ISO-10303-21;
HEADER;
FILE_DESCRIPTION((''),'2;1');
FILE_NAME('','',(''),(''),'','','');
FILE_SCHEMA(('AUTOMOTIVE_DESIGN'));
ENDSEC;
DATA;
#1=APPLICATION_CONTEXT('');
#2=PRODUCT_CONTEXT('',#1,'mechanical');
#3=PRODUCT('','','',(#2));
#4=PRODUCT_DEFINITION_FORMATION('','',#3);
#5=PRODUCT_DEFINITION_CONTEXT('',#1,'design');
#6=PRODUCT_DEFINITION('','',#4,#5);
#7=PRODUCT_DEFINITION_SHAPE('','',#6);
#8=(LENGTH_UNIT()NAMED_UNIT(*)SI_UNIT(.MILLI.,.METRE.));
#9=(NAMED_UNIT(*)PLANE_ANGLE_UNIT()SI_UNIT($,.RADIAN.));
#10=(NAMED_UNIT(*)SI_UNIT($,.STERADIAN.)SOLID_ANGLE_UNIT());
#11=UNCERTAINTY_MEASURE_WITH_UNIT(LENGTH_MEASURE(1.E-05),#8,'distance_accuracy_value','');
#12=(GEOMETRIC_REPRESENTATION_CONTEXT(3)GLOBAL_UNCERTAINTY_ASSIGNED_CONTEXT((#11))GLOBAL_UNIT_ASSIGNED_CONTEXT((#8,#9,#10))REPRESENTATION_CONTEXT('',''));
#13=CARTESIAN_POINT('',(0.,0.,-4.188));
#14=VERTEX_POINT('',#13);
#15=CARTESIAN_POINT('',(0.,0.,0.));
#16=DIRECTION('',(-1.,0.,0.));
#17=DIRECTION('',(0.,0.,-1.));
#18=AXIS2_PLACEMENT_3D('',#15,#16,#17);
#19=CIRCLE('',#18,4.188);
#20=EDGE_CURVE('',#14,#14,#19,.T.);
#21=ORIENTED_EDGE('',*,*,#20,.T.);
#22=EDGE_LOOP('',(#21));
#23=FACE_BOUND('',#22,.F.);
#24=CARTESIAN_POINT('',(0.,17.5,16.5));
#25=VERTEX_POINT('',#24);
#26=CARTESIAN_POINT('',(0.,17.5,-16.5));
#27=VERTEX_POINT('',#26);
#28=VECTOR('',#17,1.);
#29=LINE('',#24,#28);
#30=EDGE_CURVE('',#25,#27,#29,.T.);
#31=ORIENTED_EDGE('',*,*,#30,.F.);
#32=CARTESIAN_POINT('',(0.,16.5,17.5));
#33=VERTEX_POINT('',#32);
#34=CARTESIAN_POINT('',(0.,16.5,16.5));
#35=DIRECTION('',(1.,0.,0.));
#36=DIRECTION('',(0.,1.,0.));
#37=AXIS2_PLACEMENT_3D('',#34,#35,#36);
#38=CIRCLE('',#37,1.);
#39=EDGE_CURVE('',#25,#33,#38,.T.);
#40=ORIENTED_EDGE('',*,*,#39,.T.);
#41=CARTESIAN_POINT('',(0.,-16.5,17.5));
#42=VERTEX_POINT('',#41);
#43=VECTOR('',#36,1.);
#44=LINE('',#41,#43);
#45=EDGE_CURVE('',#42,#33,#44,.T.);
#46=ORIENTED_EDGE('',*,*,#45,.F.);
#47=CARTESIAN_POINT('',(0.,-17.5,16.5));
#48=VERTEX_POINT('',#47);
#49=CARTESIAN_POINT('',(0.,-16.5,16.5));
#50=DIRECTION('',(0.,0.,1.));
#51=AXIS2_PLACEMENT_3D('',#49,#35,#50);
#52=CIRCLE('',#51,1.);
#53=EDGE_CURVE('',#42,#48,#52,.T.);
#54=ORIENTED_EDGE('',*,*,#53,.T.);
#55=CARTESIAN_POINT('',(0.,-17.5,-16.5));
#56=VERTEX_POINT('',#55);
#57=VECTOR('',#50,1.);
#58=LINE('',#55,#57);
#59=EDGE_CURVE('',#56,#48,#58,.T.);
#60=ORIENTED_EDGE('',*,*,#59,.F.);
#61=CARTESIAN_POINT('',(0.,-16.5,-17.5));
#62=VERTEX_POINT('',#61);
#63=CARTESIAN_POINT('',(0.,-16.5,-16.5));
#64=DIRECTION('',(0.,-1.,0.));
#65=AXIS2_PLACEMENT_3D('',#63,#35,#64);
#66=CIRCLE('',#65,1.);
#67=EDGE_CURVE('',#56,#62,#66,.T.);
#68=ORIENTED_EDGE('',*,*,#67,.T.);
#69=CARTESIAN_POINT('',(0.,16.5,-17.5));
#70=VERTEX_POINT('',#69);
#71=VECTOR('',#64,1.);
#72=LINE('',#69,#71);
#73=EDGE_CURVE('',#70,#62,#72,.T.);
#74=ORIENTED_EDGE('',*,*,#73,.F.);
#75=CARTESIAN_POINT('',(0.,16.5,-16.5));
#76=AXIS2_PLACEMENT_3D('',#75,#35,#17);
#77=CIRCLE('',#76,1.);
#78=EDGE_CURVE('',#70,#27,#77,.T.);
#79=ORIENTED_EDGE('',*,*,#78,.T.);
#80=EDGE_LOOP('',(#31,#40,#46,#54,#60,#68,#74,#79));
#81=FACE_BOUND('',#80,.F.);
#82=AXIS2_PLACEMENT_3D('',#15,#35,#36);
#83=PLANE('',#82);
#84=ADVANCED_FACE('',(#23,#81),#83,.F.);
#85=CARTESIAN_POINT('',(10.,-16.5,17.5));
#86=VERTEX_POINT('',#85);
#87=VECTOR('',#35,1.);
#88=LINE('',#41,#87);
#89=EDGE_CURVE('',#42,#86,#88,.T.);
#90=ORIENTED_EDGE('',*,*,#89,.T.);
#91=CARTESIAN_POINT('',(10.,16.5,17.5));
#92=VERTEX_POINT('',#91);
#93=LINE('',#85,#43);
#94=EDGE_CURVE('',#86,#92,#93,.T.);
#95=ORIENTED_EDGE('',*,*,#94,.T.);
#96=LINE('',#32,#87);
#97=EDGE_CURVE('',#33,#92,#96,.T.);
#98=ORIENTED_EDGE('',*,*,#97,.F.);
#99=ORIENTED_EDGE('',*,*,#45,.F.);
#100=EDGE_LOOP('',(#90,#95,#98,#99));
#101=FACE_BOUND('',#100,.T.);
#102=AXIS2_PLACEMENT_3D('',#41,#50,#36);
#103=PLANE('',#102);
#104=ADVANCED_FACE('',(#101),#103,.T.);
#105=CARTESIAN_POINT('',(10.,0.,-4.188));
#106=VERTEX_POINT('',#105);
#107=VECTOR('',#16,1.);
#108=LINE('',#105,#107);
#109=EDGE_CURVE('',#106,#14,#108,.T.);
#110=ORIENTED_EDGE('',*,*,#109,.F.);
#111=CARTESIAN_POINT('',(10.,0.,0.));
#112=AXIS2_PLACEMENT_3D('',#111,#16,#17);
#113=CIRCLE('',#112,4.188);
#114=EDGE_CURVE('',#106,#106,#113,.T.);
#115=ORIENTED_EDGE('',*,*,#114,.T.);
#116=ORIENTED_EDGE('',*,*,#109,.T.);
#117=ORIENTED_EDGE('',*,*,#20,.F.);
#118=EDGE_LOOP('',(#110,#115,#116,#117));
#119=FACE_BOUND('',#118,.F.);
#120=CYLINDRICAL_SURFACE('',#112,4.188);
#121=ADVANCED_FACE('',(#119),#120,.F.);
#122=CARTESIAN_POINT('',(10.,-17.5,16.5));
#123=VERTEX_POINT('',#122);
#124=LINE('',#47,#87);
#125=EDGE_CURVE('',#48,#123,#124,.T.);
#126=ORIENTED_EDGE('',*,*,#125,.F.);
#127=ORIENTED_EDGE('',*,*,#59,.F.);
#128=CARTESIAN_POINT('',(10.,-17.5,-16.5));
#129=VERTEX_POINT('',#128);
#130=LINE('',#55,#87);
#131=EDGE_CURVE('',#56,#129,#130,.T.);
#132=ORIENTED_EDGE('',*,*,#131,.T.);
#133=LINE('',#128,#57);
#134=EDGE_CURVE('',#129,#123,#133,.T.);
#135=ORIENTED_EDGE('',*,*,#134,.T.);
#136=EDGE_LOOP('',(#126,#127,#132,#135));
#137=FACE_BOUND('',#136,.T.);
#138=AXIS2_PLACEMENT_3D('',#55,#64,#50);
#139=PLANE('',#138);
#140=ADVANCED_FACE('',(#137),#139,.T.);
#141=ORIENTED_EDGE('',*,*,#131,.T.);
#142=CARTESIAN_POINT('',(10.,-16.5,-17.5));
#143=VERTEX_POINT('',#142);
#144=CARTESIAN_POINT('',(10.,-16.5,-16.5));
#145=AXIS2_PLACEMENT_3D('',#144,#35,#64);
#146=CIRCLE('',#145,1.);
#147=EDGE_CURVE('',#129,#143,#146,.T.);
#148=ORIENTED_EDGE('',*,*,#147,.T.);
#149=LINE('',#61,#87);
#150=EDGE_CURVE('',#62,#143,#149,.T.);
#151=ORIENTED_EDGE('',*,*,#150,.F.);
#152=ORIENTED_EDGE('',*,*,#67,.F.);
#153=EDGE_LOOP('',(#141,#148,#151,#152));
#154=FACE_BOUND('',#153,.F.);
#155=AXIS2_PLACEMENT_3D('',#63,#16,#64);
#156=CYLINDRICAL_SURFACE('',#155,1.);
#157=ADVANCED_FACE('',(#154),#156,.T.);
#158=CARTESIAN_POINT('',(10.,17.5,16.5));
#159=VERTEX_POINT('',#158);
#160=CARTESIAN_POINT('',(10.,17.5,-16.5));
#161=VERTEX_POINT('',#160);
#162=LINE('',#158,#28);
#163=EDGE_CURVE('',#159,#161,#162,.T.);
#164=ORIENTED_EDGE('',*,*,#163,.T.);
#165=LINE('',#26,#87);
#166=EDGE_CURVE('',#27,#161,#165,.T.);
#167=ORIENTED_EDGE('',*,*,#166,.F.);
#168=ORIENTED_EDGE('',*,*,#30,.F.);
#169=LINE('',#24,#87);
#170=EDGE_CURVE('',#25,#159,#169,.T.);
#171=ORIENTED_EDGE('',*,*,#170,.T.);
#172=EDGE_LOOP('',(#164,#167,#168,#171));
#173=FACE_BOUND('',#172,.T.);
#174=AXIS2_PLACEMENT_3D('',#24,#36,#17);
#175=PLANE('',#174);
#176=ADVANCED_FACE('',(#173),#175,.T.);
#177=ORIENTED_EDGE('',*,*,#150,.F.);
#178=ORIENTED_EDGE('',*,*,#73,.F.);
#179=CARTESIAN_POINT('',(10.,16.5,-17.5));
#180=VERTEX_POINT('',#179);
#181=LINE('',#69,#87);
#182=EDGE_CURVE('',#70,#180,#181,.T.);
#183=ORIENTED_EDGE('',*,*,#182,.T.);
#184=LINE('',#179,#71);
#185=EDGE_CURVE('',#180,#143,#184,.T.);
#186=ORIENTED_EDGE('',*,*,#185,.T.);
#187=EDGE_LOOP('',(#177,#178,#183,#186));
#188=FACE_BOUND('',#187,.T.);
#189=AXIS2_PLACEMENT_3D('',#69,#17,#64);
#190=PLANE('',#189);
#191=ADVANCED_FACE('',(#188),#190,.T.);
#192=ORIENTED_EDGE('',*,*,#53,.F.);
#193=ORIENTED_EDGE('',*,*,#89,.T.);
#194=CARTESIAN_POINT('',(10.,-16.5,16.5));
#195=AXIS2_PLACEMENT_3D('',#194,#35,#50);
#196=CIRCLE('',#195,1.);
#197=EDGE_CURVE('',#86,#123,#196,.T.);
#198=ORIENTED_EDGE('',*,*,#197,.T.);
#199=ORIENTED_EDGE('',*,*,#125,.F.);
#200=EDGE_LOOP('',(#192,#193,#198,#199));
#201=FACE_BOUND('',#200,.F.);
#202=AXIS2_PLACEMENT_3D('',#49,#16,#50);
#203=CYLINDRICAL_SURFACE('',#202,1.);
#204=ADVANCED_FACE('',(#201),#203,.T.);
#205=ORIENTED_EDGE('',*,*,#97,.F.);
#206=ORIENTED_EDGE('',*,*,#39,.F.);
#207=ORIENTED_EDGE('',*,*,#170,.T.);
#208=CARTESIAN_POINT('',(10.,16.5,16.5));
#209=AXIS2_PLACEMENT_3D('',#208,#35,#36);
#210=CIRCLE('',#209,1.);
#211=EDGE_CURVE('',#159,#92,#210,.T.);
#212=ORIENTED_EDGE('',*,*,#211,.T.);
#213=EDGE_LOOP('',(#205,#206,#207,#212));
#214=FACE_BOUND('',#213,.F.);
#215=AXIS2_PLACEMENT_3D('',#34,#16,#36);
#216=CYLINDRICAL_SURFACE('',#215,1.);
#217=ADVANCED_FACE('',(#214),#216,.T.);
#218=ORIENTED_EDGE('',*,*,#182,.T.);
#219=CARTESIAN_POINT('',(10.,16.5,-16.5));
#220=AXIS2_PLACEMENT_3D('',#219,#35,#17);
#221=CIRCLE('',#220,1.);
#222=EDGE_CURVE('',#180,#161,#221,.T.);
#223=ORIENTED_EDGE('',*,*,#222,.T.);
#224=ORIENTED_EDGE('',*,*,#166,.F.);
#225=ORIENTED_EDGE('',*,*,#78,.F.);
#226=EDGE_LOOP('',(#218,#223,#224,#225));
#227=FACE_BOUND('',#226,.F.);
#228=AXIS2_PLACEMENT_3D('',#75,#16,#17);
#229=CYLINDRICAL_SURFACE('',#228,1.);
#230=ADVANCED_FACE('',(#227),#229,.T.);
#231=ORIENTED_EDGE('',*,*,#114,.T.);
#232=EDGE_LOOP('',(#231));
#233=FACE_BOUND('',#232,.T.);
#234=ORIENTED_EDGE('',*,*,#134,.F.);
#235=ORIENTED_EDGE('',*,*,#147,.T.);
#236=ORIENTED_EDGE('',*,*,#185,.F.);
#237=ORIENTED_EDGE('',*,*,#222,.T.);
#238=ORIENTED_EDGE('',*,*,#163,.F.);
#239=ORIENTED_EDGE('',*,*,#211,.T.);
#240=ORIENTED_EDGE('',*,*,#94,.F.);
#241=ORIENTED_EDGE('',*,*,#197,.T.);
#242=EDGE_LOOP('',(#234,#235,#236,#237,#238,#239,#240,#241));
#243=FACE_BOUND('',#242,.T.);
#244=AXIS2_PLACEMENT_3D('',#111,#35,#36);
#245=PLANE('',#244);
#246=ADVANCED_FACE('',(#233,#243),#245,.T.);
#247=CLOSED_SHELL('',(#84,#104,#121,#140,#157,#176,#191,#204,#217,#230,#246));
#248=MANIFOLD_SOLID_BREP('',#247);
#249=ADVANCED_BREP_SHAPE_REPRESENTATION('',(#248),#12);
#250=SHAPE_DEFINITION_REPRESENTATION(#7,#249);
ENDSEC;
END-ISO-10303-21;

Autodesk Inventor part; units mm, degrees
ref_plane "YZ Plane" through (0, 0, 0) normal (1, 0, 0) x (0, 1, 0)
ref_plane "XZ Plane" through (0, 0, 0) normal (0, 1, 0) x (-1, 0, 0)
ref_plane "XY Plane" through (0, 0, 0) normal (0, 0, 1) x (1, 0, 0)
sketch "Skizze1" plane through (0, 0, 0) normal (1, 0, 0) x (0, 1, 0)
  line L0 (-16.5, 17.5) -> (16.5, 17.5)
  line L1 (17.5, 16.5) -> (17.5, -16.5)
  line L2 (16.5, -17.5) -> (-16.5, -17.5)
  line L3 (-17.5, -16.5) -> (-17.5, 16.5)
  line L4 (-17.5, 17.5) -> (17.5, -17.5) construction
  line L5 (17.5, 17.5) -> (-17.5, -17.5) construction
  arc A0 (17.5, 16.5) -> (16.5, 17.5) centre (16.5, 16.5) ccw
  arc A1 (-16.5, 17.5) -> (-17.5, 16.5) centre (-16.5, 16.5) ccw
  arc A2 (-17.5, -16.5) -> (-16.5, -17.5) centre (-16.5, -16.5) ccw
  arc A3 (16.5, -17.5) -> (17.5, -16.5) centre (16.5, -16.5) ccw
  point P0 (0, 0)
  dimension "d0" = 35
  dimension "d1" = 35
  dimension "d2" = 1
extrude "Extrusion1" add sketch "Skizze1" along normal blind 10
sketch "Skizze2" plane through (10, 0, 0) normal (1, 0, 0) x (0, 0, -1)
  line L0 (0, 0) -> (0, 17.5)
  line L1 (16.5, 17.5) -> (-16.5, 17.5) projected
  line L2 (0, 0) -> (17.4918, 0)
hole "Bohrung1" at (10, 0, 0) direction (-1, 0, 0) diameter 8.376 end through all thread size "M10x1.5" class "6H" standard "ISO Metric profile"
properties part number "Traversen_Deckel" material "Aluminium 6061"
